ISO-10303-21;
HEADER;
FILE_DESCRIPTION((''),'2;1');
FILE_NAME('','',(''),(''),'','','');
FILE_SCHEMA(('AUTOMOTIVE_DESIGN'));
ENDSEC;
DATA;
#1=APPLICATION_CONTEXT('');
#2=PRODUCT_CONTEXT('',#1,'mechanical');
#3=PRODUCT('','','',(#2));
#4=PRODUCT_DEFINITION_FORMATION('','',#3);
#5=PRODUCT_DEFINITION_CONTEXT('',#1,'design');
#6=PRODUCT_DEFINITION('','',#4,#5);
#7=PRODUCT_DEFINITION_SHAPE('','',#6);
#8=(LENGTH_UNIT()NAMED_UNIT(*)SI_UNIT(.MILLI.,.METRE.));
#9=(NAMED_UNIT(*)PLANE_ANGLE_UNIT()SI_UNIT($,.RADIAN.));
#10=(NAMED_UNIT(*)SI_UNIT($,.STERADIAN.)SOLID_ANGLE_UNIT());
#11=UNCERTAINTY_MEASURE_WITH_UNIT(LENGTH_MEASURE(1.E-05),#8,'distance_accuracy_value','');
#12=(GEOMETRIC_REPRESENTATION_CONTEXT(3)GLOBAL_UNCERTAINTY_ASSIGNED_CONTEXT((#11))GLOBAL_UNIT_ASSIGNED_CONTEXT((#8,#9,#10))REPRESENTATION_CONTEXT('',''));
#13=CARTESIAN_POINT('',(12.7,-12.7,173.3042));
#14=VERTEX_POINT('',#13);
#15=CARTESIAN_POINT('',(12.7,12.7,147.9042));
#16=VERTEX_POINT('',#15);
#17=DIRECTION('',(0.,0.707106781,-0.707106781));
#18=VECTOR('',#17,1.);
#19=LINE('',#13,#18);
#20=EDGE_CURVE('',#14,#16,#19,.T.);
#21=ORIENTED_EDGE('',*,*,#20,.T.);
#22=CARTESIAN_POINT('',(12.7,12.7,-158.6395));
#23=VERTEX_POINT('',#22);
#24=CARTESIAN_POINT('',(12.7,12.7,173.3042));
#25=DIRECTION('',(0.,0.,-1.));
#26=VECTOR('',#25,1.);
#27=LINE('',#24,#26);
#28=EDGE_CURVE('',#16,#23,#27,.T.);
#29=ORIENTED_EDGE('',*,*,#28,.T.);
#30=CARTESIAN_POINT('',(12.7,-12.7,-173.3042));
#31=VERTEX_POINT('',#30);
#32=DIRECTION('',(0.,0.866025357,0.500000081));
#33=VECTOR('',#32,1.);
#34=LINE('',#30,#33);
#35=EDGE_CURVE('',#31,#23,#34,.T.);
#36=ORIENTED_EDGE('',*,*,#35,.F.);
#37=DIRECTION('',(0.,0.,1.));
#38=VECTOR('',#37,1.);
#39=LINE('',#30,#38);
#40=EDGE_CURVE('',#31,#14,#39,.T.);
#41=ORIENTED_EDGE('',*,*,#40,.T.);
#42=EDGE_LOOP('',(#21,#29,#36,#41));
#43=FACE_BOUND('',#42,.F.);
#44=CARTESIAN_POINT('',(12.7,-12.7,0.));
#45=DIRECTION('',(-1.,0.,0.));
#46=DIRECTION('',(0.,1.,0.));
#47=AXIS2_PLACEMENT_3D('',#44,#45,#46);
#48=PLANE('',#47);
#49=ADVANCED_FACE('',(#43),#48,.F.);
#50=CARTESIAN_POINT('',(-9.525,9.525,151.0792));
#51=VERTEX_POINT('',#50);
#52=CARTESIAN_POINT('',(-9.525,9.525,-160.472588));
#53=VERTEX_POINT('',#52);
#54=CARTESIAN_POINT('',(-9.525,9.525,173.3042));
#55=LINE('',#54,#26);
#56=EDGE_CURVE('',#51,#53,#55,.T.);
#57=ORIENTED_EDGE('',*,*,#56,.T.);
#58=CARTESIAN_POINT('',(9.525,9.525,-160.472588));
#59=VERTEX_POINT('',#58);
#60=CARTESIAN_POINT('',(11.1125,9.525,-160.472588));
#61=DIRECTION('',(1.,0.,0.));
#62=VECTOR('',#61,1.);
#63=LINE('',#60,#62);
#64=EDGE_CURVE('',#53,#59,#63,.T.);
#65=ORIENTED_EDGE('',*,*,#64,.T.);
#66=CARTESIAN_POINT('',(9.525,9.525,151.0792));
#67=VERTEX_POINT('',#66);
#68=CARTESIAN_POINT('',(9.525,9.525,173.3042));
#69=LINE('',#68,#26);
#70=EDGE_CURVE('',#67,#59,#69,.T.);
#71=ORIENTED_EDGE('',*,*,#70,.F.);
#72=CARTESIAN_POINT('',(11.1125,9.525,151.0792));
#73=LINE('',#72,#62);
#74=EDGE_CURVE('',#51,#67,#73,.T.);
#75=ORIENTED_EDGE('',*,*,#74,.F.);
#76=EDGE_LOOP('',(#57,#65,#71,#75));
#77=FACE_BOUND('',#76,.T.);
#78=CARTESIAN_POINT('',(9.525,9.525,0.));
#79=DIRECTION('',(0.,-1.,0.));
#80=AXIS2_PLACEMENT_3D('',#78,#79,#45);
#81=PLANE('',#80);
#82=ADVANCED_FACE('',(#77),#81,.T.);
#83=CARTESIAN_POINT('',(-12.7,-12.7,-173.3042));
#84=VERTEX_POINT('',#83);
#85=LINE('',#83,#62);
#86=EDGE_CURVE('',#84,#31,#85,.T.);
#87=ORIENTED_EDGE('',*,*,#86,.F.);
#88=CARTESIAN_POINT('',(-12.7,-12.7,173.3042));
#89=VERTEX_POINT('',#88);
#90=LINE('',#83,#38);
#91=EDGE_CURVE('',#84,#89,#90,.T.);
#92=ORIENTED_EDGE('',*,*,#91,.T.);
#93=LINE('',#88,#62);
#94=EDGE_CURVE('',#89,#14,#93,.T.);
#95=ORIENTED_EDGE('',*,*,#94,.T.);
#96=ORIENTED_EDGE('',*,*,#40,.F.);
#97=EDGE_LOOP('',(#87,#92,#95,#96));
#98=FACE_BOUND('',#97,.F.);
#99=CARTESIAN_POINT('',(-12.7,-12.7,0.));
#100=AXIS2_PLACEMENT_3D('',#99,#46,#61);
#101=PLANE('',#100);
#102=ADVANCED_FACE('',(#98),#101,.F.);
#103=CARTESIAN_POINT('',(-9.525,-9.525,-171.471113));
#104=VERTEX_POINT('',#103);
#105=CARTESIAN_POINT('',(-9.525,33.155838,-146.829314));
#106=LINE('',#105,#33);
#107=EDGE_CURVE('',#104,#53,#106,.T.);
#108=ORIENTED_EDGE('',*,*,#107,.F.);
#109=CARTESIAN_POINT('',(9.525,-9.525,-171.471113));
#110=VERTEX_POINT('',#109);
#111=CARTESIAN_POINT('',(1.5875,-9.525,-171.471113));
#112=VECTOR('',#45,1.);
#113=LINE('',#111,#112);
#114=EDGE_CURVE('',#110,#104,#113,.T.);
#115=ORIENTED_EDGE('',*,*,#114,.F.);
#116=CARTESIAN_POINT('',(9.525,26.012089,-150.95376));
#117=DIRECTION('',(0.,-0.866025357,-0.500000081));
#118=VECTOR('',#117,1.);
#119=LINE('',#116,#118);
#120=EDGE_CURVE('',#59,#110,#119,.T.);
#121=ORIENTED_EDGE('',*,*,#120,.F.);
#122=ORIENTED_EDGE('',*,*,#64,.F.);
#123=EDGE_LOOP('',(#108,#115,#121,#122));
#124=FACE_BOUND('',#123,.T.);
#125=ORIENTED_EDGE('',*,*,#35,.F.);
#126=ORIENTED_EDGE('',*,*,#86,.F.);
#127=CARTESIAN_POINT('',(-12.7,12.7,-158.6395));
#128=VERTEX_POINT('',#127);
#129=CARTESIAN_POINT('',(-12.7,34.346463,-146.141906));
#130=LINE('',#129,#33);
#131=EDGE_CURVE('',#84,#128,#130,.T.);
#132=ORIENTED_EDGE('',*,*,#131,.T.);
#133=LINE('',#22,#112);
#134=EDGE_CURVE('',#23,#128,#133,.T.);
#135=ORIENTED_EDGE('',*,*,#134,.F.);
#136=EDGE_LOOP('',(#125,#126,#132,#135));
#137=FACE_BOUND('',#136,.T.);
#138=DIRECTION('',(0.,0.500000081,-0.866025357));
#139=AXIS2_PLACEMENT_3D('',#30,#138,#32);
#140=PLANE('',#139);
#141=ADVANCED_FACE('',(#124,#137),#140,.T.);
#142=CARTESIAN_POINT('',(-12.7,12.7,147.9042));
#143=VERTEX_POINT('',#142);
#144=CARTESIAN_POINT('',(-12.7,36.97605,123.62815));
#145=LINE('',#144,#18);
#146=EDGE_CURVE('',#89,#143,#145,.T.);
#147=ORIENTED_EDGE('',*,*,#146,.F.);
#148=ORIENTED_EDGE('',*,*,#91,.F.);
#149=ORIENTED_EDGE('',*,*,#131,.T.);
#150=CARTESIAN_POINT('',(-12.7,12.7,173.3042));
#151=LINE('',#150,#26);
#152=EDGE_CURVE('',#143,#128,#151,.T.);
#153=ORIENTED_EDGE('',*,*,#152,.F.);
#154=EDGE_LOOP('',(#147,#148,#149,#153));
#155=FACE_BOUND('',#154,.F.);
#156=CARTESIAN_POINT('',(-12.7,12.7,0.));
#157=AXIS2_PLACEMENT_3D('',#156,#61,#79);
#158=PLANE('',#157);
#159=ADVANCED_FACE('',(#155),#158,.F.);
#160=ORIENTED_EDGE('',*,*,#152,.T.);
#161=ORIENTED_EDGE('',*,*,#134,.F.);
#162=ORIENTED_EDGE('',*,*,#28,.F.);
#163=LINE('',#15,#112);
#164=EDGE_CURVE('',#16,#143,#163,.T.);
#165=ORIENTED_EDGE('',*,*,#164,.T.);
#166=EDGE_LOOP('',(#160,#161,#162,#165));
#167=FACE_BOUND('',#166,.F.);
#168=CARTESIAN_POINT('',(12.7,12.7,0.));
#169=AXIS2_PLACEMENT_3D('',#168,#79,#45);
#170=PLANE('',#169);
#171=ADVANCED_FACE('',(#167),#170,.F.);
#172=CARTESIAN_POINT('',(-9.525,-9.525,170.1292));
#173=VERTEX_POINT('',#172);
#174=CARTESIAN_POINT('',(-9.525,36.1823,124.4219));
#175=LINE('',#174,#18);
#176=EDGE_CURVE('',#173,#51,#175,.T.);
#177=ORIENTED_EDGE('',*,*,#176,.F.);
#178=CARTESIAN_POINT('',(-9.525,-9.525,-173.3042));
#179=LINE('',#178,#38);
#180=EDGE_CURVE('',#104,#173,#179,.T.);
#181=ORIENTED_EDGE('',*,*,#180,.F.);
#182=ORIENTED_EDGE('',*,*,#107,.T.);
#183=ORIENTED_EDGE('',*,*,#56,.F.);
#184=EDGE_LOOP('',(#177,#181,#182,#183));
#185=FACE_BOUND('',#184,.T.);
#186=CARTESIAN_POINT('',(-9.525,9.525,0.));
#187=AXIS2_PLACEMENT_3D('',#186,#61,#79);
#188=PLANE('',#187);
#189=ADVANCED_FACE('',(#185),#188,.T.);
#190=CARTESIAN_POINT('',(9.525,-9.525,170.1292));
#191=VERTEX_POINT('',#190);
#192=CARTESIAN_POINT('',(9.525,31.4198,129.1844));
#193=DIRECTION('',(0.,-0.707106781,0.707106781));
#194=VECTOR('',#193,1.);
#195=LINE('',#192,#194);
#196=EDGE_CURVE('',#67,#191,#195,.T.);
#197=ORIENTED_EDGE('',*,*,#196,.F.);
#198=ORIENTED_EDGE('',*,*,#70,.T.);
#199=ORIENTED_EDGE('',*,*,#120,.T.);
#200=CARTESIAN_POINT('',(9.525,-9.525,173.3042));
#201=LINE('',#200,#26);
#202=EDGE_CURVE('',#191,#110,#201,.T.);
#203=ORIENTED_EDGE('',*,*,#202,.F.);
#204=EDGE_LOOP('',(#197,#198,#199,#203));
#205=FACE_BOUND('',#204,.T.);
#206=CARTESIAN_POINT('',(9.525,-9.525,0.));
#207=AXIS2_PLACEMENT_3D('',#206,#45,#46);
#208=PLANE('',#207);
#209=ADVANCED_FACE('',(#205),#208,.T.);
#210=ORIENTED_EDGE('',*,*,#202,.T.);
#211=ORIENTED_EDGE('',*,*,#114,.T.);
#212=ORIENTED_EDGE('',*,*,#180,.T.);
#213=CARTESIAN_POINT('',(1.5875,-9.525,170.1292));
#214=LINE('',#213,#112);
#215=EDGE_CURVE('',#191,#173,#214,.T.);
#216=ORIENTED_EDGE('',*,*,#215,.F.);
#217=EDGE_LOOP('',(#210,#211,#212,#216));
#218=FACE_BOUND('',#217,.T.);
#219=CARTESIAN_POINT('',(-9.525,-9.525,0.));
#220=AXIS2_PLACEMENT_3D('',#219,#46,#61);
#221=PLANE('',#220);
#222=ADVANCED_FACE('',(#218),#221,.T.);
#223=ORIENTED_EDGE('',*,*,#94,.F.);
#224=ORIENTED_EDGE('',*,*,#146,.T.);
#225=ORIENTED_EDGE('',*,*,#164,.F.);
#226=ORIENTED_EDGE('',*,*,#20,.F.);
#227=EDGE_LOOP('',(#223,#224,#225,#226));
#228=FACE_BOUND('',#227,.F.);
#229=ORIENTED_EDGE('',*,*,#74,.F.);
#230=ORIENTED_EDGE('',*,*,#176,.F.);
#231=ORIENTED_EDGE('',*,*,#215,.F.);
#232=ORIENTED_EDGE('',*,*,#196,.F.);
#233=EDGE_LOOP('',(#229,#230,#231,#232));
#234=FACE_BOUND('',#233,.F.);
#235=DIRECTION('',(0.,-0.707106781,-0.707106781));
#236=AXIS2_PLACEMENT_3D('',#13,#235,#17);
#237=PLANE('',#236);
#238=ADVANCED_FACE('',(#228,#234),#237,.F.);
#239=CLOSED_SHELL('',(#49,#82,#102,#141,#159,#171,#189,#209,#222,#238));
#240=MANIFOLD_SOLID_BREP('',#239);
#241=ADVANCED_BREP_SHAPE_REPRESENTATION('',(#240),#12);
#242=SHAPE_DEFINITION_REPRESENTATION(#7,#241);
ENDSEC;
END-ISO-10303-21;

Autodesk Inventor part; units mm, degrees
ref_plane "YZ Plane" through (0, 0, 0) normal (1, 0, 0) x (0, 1, 0)
ref_plane "XZ Plane" through (0, 0, 0) normal (0, 1, 0) x (-1, 0, 0)
ref_plane "XY Plane" through (0, 0, 0) normal (0, 0, 1) x (1, 0, 0)
sketch "Sketch2" plane through (0, 0, 0) normal (0, 0, 1) x (1, 0, 0)
  line L0 (-12.7, -12.7) -> (12.7, -12.7)
  line L1 (12.7, -12.7) -> (12.7, 12.7)
  line L2 (12.7, 12.7) -> (-12.7, 12.7)
  line L3 (-12.7, 12.7) -> (-12.7, -12.7)
  line L4 (-12.7, -12.7) -> (12.7, 12.7) construction
  line L5 (12.7, -12.7) -> (-12.7, 12.7) construction
  line L6 (-9.525, -9.525) -> (9.525, -9.525)
  line L7 (9.525, -9.525) -> (9.525, 9.525)
  line L8 (9.525, 9.525) -> (-9.525, 9.525)
  line L9 (-9.525, 9.525) -> (-9.525, -9.525)
  line L10 (-9.525, -9.525) -> (9.525, 9.525) construction
  line L11 (9.525, -9.525) -> (-9.525, 9.525) construction
  point P0 (0, 0)
  dimension "d0" = 25.4
  dimension "d1" = 25.4
  dimension "d2" = 3.175
  dimension "d3" = 3.175
extrude "Extrusion1" add sketch "Sketch2" along normal mid plane 346.6084
sketch "Sketch5" plane through (12.7, -12.7, -173.3042) normal (1, 0, 0) x (0, 0, -1)
  line L0 (0, 0) -> (-14.6647, 25.4)
  line L1 (0, 25.4) -> (-346.6084, 25.4) projected
  line L2 (-346.6084, 0) -> (0, 0) projected
  line L3 (-14.6647, 25.4) -> (0, 25.4)
  line L4 (0, 0) -> (0, 25.4) projected
  line L5 (0, 25.4) -> (0, 0)
  point P0 (-173.3042, 12.7)
  point P1 (-557.2214, 25.4)
  point P2 (-601.2155, 0)
  dimension "d10" = 60
extrude "Extrusion3" cut sketch "Sketch5" against normal through all
sketch "Sketch6" plane through (12.7, -12.7, 173.3042) normal (1, 0, 0) x (0, 0, -1)
  line L0 (0, 0) -> (0, 25.4) projected
  line L1 (0, 0) -> (25.4, 25.4)
  line L2 (331.9437, 25.4) -> (0, 25.4) projected
  line L3 (0, 0) -> (346.6084, 0) projected
  line L4 (25.4, 25.4) -> (0, 25.4)
  line L5 (0, 25.4) -> (0, 0)
  point P0 (173.3042, 12.7)
  dimension "d13" = 45
extrude "Extrusion4" cut sketch "Sketch6" against normal through all
properties part number "aluminumBallHandlerBackLeg" material "Aluminum 6061-AHC"
